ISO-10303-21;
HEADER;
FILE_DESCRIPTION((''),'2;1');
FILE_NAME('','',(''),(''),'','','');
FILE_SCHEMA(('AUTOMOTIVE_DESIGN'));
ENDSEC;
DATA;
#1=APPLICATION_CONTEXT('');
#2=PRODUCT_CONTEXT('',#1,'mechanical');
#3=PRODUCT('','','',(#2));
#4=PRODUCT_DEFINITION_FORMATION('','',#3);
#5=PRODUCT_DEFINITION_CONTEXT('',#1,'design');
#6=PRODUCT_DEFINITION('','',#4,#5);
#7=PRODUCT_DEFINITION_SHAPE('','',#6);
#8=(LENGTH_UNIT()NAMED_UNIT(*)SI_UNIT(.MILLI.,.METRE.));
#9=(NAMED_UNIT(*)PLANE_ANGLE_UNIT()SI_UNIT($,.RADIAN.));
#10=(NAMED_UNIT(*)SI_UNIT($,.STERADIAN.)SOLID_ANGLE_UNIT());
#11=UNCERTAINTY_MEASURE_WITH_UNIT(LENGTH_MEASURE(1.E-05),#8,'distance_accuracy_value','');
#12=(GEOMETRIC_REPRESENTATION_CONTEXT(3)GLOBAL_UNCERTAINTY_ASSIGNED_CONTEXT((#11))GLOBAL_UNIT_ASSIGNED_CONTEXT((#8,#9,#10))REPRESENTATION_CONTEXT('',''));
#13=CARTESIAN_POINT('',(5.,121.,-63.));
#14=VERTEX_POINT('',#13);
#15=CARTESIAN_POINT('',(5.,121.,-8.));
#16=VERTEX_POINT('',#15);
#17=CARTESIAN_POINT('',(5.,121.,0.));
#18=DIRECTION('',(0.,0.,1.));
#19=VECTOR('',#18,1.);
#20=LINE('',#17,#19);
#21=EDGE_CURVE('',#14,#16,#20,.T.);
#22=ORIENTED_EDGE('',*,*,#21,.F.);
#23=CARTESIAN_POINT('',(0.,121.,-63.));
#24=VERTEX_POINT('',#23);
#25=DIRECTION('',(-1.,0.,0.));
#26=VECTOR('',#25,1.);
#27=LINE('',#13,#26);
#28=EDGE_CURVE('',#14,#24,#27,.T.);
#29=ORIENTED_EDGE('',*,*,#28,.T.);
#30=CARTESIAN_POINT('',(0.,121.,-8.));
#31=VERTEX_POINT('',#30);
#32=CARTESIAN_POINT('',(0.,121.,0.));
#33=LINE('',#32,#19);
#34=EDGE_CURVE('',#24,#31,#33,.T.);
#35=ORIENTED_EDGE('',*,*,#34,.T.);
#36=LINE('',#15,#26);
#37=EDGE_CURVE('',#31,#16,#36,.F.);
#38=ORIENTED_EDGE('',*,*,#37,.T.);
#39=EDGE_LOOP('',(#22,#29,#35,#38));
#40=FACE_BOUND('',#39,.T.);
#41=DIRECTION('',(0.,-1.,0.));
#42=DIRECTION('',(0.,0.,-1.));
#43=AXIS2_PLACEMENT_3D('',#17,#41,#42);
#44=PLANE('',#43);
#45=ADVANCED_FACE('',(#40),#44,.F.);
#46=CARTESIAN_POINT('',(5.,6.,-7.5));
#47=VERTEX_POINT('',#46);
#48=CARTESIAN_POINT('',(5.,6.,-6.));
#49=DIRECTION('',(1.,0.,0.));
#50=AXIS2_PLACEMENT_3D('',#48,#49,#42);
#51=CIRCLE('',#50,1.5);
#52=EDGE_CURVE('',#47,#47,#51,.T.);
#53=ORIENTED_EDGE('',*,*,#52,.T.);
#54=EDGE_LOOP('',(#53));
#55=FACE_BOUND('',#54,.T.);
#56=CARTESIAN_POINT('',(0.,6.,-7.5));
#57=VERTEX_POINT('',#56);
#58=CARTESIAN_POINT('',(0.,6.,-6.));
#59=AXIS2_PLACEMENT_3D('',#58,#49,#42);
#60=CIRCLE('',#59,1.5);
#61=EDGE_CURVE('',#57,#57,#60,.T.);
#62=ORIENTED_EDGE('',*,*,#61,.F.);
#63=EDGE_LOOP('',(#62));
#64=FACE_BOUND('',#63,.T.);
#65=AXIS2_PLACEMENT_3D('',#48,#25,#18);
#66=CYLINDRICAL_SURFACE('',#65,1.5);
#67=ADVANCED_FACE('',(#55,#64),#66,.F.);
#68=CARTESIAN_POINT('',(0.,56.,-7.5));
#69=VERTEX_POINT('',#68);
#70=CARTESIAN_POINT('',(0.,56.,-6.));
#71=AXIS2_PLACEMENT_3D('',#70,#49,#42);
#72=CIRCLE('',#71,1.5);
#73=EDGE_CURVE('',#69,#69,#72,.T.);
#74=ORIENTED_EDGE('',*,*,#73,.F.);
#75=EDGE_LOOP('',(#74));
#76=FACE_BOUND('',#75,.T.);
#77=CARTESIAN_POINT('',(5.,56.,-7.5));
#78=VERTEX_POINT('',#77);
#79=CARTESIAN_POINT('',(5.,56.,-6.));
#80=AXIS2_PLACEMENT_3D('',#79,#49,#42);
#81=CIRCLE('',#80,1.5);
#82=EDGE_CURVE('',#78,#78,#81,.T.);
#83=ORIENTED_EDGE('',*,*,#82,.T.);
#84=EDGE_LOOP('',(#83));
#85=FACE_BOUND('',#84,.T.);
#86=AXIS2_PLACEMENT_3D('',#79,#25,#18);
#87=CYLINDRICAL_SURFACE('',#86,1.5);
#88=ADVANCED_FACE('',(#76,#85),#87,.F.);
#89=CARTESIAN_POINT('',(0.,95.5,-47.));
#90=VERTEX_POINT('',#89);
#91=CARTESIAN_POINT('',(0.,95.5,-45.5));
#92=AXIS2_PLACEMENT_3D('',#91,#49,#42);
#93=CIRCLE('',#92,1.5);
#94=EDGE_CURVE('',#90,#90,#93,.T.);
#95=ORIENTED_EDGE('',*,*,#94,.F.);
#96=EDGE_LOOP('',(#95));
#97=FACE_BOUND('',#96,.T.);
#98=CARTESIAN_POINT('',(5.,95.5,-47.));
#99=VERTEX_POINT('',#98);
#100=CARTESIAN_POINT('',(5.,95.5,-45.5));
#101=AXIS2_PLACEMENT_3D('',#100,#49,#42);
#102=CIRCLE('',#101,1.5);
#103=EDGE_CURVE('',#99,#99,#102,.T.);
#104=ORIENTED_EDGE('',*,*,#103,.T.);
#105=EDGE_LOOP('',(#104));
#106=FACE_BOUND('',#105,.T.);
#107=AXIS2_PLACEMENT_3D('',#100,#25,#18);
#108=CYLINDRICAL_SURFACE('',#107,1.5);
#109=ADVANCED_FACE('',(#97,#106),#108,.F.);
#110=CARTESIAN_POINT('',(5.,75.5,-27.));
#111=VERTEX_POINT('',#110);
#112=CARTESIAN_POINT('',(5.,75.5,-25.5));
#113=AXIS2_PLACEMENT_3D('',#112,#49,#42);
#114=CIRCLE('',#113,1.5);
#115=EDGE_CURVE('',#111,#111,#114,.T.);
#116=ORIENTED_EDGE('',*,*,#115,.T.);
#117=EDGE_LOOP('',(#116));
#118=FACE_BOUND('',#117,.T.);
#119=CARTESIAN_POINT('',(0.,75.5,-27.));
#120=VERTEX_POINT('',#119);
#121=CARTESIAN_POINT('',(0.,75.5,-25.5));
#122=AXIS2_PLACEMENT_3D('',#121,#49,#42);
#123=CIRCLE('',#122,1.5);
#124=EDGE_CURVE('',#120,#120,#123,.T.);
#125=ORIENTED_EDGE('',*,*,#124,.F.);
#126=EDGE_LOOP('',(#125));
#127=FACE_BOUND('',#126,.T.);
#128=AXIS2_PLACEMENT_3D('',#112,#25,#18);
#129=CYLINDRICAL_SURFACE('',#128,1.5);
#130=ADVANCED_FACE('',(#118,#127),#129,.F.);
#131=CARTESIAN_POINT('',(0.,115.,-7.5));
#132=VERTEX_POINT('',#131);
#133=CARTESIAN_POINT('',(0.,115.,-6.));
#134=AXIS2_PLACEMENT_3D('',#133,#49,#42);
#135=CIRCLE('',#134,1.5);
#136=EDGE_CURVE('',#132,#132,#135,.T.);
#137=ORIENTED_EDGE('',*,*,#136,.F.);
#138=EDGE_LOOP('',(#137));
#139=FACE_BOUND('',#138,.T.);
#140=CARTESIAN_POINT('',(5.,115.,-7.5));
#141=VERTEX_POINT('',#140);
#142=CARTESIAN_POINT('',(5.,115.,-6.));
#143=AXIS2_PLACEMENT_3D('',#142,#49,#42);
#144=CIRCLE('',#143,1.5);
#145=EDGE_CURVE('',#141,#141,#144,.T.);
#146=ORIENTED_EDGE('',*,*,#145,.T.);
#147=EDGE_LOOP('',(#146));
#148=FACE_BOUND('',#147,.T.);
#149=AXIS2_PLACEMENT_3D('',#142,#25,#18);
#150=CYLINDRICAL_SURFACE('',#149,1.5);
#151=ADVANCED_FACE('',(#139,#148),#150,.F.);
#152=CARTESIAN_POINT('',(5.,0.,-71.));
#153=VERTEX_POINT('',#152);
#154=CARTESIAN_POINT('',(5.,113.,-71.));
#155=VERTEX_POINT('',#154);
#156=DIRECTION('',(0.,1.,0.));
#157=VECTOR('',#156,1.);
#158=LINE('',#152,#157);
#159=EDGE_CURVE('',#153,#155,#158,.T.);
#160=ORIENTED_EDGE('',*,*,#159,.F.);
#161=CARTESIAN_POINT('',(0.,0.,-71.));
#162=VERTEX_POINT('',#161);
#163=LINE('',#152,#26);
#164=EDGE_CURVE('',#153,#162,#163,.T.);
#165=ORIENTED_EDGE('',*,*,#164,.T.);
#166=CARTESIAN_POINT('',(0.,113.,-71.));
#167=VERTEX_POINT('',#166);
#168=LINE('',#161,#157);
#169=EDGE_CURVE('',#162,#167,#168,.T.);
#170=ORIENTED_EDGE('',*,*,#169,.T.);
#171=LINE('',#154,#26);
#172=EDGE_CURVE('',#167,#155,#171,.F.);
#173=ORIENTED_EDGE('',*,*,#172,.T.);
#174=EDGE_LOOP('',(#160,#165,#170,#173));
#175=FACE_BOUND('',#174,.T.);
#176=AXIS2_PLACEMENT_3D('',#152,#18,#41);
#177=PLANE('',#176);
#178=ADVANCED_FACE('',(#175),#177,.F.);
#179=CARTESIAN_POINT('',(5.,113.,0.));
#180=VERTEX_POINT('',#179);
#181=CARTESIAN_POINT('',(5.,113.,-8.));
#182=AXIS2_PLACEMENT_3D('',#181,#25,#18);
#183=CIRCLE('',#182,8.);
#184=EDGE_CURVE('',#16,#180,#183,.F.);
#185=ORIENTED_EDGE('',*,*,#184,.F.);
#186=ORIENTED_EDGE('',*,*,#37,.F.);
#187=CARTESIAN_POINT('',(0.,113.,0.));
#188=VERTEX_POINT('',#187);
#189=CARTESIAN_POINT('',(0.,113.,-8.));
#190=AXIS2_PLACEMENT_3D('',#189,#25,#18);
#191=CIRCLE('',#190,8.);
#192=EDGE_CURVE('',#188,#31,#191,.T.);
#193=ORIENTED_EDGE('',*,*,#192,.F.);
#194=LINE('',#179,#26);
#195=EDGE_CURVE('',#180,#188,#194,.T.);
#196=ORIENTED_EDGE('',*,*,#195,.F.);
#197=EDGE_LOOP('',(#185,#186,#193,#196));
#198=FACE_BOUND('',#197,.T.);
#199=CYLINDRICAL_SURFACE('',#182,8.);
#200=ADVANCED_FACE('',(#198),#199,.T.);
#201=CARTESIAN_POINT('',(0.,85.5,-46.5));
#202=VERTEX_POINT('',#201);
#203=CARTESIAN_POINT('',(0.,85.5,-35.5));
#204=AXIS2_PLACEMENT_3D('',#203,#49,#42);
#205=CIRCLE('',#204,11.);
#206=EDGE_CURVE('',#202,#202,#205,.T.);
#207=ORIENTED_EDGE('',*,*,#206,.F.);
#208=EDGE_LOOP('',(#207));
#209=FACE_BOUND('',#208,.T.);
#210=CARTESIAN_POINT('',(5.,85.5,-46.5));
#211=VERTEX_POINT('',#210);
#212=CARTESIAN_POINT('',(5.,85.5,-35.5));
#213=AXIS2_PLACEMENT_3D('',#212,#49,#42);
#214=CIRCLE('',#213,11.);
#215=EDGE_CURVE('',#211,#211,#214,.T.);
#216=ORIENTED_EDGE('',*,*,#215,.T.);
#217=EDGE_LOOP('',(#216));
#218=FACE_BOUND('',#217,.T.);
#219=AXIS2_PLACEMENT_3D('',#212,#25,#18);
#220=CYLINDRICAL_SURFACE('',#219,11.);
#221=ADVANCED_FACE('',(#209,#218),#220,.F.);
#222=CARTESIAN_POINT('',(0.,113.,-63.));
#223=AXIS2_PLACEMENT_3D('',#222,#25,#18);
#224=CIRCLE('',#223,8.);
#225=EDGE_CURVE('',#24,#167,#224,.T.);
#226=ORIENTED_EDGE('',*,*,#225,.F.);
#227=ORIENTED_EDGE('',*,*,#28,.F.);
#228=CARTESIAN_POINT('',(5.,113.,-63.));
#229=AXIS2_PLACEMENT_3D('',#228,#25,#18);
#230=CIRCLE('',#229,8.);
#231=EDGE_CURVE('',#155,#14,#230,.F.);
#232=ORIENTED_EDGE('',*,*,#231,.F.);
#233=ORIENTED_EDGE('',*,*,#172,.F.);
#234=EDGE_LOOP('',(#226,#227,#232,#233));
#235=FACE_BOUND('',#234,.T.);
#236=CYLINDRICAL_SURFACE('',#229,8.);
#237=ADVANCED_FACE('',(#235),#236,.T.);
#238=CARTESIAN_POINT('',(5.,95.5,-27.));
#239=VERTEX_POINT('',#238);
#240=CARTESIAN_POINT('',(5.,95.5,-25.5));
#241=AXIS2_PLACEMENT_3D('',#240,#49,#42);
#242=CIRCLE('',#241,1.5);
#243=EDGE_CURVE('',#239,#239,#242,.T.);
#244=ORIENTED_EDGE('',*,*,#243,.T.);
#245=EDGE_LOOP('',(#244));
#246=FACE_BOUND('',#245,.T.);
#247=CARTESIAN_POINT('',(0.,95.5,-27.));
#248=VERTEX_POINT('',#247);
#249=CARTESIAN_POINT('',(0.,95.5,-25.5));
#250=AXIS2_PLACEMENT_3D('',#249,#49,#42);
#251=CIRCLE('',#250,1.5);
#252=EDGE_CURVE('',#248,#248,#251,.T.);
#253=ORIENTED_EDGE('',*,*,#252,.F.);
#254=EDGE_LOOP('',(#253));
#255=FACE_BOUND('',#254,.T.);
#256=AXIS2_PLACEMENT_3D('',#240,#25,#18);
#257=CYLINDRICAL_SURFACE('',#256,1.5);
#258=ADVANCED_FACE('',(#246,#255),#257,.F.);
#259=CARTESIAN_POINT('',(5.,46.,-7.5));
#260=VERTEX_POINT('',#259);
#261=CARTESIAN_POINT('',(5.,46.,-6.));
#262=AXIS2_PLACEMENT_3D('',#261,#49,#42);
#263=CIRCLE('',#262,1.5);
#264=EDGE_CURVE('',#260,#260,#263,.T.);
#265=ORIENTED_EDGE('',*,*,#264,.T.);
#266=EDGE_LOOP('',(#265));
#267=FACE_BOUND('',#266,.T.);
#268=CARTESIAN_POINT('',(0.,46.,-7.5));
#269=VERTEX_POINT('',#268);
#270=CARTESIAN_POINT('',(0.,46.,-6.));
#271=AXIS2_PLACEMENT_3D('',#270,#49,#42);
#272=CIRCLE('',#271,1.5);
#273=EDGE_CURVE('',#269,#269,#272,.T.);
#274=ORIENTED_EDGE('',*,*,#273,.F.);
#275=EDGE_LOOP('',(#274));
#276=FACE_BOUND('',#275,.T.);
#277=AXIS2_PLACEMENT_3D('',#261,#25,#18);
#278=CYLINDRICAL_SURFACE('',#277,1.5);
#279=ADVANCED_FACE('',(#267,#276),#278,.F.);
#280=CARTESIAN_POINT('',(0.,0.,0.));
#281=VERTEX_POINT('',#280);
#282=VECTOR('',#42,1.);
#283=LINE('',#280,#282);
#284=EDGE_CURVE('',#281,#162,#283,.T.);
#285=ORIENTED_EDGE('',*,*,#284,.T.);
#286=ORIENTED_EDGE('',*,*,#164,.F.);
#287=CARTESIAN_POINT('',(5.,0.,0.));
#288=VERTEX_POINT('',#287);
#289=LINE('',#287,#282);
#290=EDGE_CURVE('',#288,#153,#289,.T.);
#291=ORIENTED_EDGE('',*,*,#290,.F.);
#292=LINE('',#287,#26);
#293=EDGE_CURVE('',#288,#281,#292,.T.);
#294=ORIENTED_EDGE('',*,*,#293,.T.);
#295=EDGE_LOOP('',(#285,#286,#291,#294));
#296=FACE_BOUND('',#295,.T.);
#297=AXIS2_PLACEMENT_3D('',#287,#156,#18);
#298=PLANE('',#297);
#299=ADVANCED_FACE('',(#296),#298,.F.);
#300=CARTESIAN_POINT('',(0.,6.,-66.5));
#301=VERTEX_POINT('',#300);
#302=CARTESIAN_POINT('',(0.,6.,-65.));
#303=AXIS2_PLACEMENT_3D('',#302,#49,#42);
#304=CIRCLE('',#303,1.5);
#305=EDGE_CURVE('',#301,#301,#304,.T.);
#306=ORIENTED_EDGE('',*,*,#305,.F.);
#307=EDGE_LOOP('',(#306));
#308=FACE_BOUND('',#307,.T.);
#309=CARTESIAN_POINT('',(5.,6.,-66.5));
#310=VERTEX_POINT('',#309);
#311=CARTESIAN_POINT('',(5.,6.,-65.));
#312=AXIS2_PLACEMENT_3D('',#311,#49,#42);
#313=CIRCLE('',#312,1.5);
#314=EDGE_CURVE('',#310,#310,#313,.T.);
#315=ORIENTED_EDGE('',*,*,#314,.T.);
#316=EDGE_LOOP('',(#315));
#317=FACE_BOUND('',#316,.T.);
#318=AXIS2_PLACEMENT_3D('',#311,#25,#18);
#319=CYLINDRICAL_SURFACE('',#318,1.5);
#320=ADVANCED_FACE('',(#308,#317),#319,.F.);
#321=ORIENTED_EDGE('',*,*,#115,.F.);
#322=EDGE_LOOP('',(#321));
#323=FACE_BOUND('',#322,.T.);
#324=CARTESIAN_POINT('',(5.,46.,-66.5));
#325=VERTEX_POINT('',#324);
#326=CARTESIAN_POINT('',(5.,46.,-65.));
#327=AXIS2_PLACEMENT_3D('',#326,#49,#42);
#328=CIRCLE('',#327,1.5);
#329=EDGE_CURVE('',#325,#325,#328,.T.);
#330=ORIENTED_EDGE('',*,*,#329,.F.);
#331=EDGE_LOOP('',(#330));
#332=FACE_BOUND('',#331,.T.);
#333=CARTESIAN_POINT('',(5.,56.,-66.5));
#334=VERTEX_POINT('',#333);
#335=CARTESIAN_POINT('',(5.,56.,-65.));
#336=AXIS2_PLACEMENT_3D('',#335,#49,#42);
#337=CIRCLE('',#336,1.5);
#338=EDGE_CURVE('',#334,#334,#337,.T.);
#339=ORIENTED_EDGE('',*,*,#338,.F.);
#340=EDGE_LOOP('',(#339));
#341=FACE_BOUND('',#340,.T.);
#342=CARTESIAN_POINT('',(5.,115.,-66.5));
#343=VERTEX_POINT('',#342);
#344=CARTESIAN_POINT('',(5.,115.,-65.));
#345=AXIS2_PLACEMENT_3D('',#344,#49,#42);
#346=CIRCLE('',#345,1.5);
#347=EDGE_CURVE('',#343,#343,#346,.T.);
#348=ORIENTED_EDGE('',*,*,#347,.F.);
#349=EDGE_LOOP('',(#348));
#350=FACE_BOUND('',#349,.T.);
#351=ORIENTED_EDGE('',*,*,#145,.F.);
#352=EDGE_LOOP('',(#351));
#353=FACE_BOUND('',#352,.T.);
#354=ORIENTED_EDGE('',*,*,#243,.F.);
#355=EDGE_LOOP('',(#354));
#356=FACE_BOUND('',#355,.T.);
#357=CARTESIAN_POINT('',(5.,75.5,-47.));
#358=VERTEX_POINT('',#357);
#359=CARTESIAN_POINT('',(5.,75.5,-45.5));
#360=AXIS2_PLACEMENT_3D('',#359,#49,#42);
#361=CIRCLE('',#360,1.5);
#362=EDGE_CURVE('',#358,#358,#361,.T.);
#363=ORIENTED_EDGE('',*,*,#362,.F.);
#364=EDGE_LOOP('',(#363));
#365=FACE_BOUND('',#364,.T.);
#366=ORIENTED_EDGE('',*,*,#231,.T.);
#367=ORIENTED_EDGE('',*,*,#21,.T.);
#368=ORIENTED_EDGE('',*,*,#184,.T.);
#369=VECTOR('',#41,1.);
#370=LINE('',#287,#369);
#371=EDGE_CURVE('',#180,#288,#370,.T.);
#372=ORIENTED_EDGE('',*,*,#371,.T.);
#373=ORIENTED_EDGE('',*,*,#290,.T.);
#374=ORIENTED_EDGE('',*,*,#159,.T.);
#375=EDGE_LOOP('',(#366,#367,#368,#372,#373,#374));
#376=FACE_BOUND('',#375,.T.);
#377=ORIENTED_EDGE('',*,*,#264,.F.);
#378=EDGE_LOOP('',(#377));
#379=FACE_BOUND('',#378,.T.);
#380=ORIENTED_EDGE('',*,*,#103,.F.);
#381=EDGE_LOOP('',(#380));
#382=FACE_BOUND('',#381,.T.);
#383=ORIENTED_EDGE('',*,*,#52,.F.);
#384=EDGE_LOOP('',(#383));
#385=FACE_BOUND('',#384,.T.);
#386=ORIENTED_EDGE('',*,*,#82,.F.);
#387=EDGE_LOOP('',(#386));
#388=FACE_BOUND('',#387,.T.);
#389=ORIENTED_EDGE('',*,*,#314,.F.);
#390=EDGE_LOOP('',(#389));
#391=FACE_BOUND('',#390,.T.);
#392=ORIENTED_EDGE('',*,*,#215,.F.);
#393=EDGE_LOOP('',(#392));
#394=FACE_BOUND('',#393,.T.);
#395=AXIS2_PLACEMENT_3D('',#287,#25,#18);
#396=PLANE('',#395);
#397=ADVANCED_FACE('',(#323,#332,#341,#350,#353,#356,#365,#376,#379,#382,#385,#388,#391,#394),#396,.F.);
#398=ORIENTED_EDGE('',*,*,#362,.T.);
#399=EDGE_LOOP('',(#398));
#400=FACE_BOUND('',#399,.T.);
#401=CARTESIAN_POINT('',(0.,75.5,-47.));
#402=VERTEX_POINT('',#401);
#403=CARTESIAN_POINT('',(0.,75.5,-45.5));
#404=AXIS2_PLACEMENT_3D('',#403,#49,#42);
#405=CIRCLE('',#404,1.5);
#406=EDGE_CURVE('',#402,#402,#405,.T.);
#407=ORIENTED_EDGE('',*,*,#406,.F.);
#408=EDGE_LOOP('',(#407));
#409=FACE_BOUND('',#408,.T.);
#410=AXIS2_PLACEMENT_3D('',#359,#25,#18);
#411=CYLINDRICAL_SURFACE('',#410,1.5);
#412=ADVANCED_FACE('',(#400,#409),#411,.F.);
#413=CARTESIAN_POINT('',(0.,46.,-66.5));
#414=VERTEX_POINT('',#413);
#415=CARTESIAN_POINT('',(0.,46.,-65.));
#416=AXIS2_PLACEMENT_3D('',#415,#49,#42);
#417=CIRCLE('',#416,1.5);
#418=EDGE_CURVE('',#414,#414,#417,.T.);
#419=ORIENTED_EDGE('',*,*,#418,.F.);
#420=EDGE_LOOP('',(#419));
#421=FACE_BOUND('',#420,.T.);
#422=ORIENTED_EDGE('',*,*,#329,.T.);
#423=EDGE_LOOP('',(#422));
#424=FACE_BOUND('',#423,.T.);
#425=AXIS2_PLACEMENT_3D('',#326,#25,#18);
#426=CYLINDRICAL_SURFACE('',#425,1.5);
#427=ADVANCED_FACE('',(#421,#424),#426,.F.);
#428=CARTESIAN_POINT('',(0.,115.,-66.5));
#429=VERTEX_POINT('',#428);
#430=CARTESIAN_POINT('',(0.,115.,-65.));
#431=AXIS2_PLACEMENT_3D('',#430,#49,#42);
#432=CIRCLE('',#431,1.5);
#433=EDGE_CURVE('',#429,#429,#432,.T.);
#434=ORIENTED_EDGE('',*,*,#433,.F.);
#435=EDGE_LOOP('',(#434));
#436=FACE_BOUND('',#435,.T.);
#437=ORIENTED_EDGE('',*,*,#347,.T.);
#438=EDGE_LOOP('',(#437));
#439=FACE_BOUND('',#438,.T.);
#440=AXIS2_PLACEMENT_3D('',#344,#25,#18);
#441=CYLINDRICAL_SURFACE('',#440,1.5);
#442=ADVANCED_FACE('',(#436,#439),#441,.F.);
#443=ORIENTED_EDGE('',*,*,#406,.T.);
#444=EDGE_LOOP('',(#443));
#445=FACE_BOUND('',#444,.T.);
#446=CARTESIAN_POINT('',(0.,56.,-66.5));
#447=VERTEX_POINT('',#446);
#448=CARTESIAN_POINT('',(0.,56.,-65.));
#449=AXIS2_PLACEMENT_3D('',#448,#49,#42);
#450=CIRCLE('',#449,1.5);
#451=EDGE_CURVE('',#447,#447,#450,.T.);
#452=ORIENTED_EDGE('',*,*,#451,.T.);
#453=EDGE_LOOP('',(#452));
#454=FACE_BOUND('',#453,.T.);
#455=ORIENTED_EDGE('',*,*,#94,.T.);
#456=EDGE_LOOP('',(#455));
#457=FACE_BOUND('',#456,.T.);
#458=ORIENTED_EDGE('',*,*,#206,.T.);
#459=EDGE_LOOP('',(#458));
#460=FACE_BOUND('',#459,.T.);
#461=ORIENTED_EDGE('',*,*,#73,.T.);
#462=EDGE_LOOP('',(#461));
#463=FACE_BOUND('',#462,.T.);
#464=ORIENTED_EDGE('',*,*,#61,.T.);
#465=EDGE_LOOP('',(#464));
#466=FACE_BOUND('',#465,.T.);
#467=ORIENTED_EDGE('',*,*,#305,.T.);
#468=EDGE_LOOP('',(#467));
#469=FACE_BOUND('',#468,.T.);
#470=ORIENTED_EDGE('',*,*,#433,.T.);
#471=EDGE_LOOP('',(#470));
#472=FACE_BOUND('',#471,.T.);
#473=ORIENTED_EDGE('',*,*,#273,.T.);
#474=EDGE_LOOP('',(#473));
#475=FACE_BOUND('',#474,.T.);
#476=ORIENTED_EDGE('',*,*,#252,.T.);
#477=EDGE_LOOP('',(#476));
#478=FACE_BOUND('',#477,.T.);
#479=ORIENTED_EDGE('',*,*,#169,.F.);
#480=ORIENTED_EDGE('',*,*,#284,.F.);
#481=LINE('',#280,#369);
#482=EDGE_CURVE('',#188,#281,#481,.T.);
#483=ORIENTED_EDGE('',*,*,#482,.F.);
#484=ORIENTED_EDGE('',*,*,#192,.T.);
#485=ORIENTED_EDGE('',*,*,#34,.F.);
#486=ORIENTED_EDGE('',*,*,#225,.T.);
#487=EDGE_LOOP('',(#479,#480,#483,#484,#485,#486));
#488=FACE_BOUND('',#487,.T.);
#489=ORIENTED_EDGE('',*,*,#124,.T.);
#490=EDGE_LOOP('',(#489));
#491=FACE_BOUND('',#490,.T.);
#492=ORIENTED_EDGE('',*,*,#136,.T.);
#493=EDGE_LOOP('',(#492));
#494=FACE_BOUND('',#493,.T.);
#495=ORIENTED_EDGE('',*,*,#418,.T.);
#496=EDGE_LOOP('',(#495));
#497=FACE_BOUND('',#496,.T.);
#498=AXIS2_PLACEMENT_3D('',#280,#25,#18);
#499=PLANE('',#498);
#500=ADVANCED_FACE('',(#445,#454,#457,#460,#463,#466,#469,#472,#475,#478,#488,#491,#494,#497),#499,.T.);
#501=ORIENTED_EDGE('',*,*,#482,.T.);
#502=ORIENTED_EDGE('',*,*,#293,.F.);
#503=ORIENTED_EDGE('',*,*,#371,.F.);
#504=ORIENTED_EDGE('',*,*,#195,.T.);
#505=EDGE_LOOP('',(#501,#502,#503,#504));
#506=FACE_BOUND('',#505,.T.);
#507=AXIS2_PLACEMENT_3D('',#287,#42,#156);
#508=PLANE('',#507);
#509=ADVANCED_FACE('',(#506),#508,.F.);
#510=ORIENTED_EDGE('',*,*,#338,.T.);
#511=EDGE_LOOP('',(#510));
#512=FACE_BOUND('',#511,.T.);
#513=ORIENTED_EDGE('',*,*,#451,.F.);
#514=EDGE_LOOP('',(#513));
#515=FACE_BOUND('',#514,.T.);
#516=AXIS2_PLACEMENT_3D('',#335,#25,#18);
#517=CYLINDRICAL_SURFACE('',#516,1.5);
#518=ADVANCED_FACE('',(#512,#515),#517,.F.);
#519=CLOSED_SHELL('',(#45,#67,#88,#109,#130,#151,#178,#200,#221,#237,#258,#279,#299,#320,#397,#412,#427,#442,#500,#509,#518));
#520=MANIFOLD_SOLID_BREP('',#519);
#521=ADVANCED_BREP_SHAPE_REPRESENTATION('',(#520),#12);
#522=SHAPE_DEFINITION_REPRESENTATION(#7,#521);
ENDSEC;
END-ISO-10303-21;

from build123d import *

# Parameters (mm, degrees)
SKETCH1_W           = 71
SKETCH1_H           = 121
SKETCH1_R           = 1.5
SKETCH1_R_2         = 11
BOSS_EXTRUDE1_DEPTH = 5
FILLET1_R           = 8


with BuildPart() as part:
    # Sketch1 → Boss-Extrude1 (new body)
    with BuildSketch(Plane(origin=(0, 0, 0), x_dir=(0, 0, -1), z_dir=(1, 0, 0))):
        with Locations((35.5, 60.5)):
            Rectangle(SKETCH1_W, SKETCH1_H)
        with Locations((6, 115)):
            Circle(SKETCH1_R, mode=Mode.SUBTRACT)
        with Locations((65, 115)):
            Circle(SKETCH1_R, mode=Mode.SUBTRACT)
        with Locations((35.5, 85.5)):
            Circle(SKETCH1_R_2, mode=Mode.SUBTRACT)
        with Locations((25.5, 95.5)):
            Circle(SKETCH1_R, mode=Mode.SUBTRACT)
        with Locations((45.5, 95.5)):
            Circle(SKETCH1_R, mode=Mode.SUBTRACT)
        with Locations((45.5, 75.5)):
            Circle(SKETCH1_R, mode=Mode.SUBTRACT)
        with Locations((25.5, 75.5)):
            Circle(SKETCH1_R, mode=Mode.SUBTRACT)
        with Locations((6, 56)):
            Circle(SKETCH1_R, mode=Mode.SUBTRACT)
        with Locations((65, 56)):
            Circle(SKETCH1_R, mode=Mode.SUBTRACT)
        with Locations((6, 6)):
            Circle(SKETCH1_R, mode=Mode.SUBTRACT)
        with Locations((65, 6)):
            Circle(SKETCH1_R, mode=Mode.SUBTRACT)
        with Locations((6, 46)):
            Circle(SKETCH1_R, mode=Mode.SUBTRACT)
        with Locations((65, 46)):
            Circle(SKETCH1_R, mode=Mode.SUBTRACT)
    extrude(amount=BOSS_EXTRUDE1_DEPTH)

    # Fillet1
    fillet1_edges = [part.edges().sort_by_distance(p)[0] for p in [
        (2.5, 121, 0),
        (2.5, 121, -71),
    ]]
    fillet(fillet1_edges, radius=FILLET1_R)


solid = part.part
